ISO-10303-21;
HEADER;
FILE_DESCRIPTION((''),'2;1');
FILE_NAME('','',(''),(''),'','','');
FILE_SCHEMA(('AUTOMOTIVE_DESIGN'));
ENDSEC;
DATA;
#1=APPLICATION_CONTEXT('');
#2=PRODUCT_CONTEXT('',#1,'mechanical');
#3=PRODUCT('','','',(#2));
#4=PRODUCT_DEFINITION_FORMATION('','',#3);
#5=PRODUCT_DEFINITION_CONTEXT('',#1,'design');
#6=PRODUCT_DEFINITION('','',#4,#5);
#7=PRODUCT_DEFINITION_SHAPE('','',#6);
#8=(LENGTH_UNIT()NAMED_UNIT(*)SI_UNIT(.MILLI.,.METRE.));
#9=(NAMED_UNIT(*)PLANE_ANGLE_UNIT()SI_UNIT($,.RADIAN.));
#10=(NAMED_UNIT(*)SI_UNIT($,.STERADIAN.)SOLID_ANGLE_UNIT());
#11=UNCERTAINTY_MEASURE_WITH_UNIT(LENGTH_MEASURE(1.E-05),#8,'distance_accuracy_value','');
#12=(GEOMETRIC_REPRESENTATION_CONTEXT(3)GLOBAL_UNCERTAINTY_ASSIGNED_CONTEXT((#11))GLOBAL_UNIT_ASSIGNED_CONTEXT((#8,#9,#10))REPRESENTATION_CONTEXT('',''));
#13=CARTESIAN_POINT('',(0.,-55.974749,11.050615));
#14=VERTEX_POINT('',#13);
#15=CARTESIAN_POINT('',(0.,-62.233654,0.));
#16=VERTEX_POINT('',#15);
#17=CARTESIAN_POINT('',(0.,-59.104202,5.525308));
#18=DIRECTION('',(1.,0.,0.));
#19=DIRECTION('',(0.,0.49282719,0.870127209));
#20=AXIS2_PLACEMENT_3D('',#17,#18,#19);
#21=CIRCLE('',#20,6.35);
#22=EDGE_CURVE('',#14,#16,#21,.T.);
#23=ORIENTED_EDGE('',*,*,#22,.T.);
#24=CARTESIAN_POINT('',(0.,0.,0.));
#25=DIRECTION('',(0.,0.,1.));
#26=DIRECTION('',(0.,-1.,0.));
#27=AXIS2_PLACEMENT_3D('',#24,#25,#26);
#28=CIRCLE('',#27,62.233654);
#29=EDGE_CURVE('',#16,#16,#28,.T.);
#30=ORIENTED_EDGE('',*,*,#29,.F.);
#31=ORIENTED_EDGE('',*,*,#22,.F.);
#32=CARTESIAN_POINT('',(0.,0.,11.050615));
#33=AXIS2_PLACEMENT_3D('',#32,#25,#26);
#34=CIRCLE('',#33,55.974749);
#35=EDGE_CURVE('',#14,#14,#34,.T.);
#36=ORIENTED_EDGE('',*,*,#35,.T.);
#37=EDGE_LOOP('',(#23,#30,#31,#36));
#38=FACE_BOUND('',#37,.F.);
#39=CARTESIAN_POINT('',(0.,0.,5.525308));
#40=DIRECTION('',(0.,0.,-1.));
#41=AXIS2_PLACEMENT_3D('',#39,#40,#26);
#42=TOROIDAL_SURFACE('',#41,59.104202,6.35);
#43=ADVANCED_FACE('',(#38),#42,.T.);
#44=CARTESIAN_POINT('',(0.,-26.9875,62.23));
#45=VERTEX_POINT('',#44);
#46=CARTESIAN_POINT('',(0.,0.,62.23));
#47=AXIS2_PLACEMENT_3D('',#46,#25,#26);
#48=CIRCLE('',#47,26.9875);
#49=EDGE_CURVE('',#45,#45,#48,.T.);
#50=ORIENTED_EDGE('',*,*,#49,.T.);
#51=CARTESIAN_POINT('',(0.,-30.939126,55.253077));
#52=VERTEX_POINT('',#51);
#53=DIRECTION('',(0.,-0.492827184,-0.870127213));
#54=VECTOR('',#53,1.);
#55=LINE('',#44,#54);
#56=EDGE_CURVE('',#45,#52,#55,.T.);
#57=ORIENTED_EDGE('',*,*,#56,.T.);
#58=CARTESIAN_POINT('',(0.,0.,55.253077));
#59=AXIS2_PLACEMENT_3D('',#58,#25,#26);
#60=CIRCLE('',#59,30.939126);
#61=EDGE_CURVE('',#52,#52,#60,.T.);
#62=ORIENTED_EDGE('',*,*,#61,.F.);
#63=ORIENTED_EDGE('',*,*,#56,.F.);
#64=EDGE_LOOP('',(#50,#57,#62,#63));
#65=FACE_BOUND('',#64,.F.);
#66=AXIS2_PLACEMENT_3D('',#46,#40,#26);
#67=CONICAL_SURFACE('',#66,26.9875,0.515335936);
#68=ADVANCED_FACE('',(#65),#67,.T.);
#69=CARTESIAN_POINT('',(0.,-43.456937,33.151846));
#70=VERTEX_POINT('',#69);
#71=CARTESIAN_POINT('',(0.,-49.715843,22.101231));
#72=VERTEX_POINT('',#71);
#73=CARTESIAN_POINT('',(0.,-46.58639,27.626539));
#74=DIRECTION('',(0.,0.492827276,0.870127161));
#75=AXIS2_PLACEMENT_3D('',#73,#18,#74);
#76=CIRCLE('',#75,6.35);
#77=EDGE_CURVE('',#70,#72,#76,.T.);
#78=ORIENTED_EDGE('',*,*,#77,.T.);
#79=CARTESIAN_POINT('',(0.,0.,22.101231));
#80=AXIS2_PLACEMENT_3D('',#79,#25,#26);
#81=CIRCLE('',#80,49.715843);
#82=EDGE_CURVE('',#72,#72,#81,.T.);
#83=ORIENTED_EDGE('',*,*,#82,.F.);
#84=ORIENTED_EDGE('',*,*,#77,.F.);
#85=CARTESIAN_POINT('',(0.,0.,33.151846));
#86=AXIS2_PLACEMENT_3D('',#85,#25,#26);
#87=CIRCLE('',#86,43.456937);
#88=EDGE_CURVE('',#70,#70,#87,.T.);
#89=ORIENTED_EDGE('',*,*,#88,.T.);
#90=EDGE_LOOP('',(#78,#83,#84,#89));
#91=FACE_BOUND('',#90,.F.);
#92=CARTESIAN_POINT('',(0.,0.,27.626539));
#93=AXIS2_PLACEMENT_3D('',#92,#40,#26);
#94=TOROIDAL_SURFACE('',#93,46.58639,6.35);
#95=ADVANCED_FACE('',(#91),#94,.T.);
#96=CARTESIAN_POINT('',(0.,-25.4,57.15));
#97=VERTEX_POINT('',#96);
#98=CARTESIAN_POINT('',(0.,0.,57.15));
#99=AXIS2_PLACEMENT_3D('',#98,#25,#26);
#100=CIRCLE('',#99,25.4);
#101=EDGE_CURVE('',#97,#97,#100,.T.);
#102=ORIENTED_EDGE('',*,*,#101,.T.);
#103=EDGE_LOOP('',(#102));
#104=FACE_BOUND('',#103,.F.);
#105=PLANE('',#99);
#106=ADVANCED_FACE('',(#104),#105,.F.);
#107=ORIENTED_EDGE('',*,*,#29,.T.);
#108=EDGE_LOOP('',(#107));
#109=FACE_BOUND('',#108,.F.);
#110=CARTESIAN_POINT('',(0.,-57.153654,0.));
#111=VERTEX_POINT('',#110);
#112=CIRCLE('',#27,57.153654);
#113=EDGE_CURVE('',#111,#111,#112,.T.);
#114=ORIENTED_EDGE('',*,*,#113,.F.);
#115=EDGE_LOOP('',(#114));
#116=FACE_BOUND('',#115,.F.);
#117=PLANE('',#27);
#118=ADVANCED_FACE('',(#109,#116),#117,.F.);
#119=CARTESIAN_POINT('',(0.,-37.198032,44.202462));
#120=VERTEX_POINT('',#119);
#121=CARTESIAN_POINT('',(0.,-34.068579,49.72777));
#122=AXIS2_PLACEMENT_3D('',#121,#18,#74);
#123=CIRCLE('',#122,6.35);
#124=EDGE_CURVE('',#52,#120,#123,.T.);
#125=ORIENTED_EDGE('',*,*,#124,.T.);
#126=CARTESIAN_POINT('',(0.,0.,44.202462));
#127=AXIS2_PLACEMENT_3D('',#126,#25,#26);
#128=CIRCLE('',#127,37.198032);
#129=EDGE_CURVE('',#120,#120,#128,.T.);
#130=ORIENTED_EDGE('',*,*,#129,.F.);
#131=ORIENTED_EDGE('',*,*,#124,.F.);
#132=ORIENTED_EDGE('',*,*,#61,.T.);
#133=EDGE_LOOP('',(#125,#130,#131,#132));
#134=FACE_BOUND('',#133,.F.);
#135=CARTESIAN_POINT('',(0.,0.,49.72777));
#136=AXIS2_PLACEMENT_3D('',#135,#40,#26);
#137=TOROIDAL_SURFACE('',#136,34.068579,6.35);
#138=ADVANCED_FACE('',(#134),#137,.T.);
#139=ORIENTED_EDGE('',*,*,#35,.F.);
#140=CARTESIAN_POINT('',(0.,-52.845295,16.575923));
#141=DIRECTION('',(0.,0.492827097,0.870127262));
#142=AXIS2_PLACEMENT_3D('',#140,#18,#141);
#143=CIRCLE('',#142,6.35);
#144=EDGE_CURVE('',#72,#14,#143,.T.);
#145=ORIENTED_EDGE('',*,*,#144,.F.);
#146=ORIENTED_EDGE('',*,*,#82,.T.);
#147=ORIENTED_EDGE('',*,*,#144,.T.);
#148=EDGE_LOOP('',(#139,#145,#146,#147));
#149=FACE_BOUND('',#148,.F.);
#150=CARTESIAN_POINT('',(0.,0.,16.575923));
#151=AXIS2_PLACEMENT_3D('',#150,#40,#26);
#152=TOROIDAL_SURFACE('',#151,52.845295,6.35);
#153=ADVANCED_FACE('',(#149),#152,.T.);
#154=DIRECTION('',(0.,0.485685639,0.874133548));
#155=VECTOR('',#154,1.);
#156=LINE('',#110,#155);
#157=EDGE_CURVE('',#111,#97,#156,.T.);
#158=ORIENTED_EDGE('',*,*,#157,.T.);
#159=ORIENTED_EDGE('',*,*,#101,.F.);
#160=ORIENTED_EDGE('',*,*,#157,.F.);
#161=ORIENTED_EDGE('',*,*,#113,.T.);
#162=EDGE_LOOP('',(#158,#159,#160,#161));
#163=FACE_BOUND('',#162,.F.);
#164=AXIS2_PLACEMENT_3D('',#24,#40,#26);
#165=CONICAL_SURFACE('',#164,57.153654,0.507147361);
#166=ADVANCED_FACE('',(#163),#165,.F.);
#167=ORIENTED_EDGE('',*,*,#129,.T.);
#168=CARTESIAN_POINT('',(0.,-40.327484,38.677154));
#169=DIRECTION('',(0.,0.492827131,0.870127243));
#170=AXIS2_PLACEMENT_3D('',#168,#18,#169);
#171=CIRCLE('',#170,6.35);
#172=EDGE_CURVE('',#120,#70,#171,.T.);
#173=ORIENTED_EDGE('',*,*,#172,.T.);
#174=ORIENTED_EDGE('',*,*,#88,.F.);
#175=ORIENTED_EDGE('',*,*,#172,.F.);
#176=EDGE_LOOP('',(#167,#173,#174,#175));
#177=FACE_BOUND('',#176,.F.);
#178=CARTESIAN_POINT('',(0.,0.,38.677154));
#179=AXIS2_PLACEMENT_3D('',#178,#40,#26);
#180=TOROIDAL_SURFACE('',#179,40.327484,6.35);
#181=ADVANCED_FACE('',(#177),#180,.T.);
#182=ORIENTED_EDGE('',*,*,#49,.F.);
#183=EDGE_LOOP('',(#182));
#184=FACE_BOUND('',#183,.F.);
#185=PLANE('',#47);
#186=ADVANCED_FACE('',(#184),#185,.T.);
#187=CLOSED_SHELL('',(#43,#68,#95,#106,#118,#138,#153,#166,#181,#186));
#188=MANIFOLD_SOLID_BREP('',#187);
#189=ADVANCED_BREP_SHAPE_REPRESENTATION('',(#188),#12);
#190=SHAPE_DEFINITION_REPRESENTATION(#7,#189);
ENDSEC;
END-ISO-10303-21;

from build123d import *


with BuildPart() as f1:
    # F0 (on Right) → F1 (revolve)
    with BuildSketch(Plane.YZ):
        with BuildLine():
            Line((-25.4, 57.15), (0, 57.15))
            Line((0, 57.15), (0, 62.23))
            Line((0, 62.23), (-26.9875, 62.23))
            Line((-26.9875, 62.23), (-30.939126, 55.253077))
            ThreePointArc((-30.939126, 55.253077), (-39.593887, 52.857222), (-37.198032, 44.202462))
            ThreePointArc((-37.198032, 44.202462), (-45.852792, 41.806607), (-43.456937, 33.151846))
            ThreePointArc((-43.456937, 33.151846), (-52.111698, 30.755991), (-49.715843, 22.101231))
            ThreePointArc((-49.715843, 22.101231), (-58.370603, 19.705376), (-55.974749, 11.050615))
            ThreePointArc((-55.974749, 11.050615), (-64.629509, 8.65476), (-62.233654, 0))
            Line((-62.233654, 0), (-57.153654, 0))
            Line((-57.153654, 0), (-25.4, 57.15))
        make_face()
    revolve(axis=Axis((0, 0, 28.575), (0, 0, 1)))


solid = f1.part
